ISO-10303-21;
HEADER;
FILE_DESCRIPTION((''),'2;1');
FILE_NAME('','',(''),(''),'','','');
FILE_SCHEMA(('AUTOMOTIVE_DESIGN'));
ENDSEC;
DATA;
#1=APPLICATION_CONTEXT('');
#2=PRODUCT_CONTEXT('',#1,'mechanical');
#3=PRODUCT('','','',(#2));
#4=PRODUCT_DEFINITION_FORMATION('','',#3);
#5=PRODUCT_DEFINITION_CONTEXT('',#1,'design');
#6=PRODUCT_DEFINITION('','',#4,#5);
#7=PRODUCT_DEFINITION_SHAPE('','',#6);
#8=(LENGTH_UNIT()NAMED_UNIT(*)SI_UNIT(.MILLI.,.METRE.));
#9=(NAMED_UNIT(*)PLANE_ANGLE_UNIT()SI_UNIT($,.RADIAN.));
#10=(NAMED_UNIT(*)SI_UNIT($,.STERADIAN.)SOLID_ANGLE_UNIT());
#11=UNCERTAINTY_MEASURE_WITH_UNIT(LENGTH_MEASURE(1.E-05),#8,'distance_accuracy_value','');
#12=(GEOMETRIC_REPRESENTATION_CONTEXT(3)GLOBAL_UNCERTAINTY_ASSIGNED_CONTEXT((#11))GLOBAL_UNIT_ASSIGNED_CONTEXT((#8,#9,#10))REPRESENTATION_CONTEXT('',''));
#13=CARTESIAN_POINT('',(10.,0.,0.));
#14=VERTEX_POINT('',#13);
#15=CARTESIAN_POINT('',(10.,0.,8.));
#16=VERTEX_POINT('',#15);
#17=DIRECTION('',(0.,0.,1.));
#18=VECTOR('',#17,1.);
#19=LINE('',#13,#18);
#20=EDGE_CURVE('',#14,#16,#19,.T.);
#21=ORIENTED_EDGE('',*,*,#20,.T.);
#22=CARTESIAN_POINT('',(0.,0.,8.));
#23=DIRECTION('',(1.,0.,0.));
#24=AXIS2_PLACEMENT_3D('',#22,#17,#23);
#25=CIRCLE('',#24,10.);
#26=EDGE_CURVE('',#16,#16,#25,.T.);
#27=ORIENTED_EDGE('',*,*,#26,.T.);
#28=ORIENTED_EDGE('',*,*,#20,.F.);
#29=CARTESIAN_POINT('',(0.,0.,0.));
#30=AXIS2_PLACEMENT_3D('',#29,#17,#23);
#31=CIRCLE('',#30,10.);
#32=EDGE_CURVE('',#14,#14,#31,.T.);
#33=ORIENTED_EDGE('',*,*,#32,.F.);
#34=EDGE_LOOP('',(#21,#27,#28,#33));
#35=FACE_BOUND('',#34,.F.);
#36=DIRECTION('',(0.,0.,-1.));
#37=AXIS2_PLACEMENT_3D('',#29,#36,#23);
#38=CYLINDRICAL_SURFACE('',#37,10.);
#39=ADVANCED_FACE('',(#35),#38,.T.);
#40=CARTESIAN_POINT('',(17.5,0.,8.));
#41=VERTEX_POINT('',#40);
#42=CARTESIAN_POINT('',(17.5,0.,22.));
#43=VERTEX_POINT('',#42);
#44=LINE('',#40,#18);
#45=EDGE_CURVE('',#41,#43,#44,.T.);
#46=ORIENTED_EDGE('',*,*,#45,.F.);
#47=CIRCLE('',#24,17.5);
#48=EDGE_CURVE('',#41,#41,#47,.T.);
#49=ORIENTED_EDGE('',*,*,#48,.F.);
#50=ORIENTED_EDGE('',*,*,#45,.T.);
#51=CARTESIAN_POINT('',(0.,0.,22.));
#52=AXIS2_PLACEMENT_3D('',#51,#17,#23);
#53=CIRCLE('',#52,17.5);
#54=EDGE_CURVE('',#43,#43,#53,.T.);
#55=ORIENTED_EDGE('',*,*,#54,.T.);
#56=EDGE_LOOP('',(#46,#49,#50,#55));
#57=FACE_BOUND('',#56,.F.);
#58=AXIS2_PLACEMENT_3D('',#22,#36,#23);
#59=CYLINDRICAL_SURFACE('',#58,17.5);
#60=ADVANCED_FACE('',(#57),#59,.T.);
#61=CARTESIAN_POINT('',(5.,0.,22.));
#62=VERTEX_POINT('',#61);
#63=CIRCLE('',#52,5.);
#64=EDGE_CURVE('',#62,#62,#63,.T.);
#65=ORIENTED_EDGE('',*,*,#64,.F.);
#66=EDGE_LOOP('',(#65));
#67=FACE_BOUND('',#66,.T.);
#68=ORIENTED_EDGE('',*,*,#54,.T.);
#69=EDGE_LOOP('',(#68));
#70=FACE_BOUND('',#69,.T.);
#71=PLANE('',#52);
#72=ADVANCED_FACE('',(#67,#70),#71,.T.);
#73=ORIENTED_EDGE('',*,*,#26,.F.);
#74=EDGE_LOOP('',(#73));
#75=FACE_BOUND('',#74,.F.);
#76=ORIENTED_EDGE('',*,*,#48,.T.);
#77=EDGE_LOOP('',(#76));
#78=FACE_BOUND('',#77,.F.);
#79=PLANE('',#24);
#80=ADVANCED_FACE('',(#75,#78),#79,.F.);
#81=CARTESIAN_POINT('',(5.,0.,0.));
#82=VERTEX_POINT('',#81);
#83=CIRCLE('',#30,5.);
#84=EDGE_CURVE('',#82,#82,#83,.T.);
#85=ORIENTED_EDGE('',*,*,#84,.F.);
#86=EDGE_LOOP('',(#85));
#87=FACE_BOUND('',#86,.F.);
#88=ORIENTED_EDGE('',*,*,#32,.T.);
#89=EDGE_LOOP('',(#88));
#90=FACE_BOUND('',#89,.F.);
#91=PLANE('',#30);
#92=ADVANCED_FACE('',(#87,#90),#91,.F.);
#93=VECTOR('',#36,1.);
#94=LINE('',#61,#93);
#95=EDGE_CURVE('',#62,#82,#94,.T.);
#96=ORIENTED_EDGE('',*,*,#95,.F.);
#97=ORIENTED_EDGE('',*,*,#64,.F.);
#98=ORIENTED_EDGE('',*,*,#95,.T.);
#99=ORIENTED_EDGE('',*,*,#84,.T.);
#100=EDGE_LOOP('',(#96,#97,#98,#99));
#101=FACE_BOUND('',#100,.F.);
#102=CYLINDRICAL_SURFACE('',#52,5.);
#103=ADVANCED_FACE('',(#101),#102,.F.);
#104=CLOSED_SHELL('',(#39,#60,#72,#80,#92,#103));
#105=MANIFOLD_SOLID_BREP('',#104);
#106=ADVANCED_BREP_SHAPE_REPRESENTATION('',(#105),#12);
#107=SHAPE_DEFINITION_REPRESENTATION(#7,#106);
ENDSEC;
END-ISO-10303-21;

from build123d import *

# Parameters (mm, degrees)
F0_R     = 10
F1_DEPTH = 8
F2_R     = 17.5
F3_DEPTH = 14
F4_R     = 5
F5_DEPTH = 40


with BuildPart() as f1:
    # F0 (on Top) → F1 (new body)
    with BuildSketch(Plane.XY):
        Circle(F0_R)
    extrude(amount=F1_DEPTH)

    # F2 (on face) → F3 (join)
    with BuildSketch(Plane.XY.offset(8)):
        Circle(F2_R)
    extrude(amount=F3_DEPTH)

    # F4 (on face) → F5 (cut)
    with BuildSketch(Plane.XY.offset(22)):
        Circle(F4_R)
    extrude(amount=-F5_DEPTH, mode=Mode.SUBTRACT)


solid = f1.part
